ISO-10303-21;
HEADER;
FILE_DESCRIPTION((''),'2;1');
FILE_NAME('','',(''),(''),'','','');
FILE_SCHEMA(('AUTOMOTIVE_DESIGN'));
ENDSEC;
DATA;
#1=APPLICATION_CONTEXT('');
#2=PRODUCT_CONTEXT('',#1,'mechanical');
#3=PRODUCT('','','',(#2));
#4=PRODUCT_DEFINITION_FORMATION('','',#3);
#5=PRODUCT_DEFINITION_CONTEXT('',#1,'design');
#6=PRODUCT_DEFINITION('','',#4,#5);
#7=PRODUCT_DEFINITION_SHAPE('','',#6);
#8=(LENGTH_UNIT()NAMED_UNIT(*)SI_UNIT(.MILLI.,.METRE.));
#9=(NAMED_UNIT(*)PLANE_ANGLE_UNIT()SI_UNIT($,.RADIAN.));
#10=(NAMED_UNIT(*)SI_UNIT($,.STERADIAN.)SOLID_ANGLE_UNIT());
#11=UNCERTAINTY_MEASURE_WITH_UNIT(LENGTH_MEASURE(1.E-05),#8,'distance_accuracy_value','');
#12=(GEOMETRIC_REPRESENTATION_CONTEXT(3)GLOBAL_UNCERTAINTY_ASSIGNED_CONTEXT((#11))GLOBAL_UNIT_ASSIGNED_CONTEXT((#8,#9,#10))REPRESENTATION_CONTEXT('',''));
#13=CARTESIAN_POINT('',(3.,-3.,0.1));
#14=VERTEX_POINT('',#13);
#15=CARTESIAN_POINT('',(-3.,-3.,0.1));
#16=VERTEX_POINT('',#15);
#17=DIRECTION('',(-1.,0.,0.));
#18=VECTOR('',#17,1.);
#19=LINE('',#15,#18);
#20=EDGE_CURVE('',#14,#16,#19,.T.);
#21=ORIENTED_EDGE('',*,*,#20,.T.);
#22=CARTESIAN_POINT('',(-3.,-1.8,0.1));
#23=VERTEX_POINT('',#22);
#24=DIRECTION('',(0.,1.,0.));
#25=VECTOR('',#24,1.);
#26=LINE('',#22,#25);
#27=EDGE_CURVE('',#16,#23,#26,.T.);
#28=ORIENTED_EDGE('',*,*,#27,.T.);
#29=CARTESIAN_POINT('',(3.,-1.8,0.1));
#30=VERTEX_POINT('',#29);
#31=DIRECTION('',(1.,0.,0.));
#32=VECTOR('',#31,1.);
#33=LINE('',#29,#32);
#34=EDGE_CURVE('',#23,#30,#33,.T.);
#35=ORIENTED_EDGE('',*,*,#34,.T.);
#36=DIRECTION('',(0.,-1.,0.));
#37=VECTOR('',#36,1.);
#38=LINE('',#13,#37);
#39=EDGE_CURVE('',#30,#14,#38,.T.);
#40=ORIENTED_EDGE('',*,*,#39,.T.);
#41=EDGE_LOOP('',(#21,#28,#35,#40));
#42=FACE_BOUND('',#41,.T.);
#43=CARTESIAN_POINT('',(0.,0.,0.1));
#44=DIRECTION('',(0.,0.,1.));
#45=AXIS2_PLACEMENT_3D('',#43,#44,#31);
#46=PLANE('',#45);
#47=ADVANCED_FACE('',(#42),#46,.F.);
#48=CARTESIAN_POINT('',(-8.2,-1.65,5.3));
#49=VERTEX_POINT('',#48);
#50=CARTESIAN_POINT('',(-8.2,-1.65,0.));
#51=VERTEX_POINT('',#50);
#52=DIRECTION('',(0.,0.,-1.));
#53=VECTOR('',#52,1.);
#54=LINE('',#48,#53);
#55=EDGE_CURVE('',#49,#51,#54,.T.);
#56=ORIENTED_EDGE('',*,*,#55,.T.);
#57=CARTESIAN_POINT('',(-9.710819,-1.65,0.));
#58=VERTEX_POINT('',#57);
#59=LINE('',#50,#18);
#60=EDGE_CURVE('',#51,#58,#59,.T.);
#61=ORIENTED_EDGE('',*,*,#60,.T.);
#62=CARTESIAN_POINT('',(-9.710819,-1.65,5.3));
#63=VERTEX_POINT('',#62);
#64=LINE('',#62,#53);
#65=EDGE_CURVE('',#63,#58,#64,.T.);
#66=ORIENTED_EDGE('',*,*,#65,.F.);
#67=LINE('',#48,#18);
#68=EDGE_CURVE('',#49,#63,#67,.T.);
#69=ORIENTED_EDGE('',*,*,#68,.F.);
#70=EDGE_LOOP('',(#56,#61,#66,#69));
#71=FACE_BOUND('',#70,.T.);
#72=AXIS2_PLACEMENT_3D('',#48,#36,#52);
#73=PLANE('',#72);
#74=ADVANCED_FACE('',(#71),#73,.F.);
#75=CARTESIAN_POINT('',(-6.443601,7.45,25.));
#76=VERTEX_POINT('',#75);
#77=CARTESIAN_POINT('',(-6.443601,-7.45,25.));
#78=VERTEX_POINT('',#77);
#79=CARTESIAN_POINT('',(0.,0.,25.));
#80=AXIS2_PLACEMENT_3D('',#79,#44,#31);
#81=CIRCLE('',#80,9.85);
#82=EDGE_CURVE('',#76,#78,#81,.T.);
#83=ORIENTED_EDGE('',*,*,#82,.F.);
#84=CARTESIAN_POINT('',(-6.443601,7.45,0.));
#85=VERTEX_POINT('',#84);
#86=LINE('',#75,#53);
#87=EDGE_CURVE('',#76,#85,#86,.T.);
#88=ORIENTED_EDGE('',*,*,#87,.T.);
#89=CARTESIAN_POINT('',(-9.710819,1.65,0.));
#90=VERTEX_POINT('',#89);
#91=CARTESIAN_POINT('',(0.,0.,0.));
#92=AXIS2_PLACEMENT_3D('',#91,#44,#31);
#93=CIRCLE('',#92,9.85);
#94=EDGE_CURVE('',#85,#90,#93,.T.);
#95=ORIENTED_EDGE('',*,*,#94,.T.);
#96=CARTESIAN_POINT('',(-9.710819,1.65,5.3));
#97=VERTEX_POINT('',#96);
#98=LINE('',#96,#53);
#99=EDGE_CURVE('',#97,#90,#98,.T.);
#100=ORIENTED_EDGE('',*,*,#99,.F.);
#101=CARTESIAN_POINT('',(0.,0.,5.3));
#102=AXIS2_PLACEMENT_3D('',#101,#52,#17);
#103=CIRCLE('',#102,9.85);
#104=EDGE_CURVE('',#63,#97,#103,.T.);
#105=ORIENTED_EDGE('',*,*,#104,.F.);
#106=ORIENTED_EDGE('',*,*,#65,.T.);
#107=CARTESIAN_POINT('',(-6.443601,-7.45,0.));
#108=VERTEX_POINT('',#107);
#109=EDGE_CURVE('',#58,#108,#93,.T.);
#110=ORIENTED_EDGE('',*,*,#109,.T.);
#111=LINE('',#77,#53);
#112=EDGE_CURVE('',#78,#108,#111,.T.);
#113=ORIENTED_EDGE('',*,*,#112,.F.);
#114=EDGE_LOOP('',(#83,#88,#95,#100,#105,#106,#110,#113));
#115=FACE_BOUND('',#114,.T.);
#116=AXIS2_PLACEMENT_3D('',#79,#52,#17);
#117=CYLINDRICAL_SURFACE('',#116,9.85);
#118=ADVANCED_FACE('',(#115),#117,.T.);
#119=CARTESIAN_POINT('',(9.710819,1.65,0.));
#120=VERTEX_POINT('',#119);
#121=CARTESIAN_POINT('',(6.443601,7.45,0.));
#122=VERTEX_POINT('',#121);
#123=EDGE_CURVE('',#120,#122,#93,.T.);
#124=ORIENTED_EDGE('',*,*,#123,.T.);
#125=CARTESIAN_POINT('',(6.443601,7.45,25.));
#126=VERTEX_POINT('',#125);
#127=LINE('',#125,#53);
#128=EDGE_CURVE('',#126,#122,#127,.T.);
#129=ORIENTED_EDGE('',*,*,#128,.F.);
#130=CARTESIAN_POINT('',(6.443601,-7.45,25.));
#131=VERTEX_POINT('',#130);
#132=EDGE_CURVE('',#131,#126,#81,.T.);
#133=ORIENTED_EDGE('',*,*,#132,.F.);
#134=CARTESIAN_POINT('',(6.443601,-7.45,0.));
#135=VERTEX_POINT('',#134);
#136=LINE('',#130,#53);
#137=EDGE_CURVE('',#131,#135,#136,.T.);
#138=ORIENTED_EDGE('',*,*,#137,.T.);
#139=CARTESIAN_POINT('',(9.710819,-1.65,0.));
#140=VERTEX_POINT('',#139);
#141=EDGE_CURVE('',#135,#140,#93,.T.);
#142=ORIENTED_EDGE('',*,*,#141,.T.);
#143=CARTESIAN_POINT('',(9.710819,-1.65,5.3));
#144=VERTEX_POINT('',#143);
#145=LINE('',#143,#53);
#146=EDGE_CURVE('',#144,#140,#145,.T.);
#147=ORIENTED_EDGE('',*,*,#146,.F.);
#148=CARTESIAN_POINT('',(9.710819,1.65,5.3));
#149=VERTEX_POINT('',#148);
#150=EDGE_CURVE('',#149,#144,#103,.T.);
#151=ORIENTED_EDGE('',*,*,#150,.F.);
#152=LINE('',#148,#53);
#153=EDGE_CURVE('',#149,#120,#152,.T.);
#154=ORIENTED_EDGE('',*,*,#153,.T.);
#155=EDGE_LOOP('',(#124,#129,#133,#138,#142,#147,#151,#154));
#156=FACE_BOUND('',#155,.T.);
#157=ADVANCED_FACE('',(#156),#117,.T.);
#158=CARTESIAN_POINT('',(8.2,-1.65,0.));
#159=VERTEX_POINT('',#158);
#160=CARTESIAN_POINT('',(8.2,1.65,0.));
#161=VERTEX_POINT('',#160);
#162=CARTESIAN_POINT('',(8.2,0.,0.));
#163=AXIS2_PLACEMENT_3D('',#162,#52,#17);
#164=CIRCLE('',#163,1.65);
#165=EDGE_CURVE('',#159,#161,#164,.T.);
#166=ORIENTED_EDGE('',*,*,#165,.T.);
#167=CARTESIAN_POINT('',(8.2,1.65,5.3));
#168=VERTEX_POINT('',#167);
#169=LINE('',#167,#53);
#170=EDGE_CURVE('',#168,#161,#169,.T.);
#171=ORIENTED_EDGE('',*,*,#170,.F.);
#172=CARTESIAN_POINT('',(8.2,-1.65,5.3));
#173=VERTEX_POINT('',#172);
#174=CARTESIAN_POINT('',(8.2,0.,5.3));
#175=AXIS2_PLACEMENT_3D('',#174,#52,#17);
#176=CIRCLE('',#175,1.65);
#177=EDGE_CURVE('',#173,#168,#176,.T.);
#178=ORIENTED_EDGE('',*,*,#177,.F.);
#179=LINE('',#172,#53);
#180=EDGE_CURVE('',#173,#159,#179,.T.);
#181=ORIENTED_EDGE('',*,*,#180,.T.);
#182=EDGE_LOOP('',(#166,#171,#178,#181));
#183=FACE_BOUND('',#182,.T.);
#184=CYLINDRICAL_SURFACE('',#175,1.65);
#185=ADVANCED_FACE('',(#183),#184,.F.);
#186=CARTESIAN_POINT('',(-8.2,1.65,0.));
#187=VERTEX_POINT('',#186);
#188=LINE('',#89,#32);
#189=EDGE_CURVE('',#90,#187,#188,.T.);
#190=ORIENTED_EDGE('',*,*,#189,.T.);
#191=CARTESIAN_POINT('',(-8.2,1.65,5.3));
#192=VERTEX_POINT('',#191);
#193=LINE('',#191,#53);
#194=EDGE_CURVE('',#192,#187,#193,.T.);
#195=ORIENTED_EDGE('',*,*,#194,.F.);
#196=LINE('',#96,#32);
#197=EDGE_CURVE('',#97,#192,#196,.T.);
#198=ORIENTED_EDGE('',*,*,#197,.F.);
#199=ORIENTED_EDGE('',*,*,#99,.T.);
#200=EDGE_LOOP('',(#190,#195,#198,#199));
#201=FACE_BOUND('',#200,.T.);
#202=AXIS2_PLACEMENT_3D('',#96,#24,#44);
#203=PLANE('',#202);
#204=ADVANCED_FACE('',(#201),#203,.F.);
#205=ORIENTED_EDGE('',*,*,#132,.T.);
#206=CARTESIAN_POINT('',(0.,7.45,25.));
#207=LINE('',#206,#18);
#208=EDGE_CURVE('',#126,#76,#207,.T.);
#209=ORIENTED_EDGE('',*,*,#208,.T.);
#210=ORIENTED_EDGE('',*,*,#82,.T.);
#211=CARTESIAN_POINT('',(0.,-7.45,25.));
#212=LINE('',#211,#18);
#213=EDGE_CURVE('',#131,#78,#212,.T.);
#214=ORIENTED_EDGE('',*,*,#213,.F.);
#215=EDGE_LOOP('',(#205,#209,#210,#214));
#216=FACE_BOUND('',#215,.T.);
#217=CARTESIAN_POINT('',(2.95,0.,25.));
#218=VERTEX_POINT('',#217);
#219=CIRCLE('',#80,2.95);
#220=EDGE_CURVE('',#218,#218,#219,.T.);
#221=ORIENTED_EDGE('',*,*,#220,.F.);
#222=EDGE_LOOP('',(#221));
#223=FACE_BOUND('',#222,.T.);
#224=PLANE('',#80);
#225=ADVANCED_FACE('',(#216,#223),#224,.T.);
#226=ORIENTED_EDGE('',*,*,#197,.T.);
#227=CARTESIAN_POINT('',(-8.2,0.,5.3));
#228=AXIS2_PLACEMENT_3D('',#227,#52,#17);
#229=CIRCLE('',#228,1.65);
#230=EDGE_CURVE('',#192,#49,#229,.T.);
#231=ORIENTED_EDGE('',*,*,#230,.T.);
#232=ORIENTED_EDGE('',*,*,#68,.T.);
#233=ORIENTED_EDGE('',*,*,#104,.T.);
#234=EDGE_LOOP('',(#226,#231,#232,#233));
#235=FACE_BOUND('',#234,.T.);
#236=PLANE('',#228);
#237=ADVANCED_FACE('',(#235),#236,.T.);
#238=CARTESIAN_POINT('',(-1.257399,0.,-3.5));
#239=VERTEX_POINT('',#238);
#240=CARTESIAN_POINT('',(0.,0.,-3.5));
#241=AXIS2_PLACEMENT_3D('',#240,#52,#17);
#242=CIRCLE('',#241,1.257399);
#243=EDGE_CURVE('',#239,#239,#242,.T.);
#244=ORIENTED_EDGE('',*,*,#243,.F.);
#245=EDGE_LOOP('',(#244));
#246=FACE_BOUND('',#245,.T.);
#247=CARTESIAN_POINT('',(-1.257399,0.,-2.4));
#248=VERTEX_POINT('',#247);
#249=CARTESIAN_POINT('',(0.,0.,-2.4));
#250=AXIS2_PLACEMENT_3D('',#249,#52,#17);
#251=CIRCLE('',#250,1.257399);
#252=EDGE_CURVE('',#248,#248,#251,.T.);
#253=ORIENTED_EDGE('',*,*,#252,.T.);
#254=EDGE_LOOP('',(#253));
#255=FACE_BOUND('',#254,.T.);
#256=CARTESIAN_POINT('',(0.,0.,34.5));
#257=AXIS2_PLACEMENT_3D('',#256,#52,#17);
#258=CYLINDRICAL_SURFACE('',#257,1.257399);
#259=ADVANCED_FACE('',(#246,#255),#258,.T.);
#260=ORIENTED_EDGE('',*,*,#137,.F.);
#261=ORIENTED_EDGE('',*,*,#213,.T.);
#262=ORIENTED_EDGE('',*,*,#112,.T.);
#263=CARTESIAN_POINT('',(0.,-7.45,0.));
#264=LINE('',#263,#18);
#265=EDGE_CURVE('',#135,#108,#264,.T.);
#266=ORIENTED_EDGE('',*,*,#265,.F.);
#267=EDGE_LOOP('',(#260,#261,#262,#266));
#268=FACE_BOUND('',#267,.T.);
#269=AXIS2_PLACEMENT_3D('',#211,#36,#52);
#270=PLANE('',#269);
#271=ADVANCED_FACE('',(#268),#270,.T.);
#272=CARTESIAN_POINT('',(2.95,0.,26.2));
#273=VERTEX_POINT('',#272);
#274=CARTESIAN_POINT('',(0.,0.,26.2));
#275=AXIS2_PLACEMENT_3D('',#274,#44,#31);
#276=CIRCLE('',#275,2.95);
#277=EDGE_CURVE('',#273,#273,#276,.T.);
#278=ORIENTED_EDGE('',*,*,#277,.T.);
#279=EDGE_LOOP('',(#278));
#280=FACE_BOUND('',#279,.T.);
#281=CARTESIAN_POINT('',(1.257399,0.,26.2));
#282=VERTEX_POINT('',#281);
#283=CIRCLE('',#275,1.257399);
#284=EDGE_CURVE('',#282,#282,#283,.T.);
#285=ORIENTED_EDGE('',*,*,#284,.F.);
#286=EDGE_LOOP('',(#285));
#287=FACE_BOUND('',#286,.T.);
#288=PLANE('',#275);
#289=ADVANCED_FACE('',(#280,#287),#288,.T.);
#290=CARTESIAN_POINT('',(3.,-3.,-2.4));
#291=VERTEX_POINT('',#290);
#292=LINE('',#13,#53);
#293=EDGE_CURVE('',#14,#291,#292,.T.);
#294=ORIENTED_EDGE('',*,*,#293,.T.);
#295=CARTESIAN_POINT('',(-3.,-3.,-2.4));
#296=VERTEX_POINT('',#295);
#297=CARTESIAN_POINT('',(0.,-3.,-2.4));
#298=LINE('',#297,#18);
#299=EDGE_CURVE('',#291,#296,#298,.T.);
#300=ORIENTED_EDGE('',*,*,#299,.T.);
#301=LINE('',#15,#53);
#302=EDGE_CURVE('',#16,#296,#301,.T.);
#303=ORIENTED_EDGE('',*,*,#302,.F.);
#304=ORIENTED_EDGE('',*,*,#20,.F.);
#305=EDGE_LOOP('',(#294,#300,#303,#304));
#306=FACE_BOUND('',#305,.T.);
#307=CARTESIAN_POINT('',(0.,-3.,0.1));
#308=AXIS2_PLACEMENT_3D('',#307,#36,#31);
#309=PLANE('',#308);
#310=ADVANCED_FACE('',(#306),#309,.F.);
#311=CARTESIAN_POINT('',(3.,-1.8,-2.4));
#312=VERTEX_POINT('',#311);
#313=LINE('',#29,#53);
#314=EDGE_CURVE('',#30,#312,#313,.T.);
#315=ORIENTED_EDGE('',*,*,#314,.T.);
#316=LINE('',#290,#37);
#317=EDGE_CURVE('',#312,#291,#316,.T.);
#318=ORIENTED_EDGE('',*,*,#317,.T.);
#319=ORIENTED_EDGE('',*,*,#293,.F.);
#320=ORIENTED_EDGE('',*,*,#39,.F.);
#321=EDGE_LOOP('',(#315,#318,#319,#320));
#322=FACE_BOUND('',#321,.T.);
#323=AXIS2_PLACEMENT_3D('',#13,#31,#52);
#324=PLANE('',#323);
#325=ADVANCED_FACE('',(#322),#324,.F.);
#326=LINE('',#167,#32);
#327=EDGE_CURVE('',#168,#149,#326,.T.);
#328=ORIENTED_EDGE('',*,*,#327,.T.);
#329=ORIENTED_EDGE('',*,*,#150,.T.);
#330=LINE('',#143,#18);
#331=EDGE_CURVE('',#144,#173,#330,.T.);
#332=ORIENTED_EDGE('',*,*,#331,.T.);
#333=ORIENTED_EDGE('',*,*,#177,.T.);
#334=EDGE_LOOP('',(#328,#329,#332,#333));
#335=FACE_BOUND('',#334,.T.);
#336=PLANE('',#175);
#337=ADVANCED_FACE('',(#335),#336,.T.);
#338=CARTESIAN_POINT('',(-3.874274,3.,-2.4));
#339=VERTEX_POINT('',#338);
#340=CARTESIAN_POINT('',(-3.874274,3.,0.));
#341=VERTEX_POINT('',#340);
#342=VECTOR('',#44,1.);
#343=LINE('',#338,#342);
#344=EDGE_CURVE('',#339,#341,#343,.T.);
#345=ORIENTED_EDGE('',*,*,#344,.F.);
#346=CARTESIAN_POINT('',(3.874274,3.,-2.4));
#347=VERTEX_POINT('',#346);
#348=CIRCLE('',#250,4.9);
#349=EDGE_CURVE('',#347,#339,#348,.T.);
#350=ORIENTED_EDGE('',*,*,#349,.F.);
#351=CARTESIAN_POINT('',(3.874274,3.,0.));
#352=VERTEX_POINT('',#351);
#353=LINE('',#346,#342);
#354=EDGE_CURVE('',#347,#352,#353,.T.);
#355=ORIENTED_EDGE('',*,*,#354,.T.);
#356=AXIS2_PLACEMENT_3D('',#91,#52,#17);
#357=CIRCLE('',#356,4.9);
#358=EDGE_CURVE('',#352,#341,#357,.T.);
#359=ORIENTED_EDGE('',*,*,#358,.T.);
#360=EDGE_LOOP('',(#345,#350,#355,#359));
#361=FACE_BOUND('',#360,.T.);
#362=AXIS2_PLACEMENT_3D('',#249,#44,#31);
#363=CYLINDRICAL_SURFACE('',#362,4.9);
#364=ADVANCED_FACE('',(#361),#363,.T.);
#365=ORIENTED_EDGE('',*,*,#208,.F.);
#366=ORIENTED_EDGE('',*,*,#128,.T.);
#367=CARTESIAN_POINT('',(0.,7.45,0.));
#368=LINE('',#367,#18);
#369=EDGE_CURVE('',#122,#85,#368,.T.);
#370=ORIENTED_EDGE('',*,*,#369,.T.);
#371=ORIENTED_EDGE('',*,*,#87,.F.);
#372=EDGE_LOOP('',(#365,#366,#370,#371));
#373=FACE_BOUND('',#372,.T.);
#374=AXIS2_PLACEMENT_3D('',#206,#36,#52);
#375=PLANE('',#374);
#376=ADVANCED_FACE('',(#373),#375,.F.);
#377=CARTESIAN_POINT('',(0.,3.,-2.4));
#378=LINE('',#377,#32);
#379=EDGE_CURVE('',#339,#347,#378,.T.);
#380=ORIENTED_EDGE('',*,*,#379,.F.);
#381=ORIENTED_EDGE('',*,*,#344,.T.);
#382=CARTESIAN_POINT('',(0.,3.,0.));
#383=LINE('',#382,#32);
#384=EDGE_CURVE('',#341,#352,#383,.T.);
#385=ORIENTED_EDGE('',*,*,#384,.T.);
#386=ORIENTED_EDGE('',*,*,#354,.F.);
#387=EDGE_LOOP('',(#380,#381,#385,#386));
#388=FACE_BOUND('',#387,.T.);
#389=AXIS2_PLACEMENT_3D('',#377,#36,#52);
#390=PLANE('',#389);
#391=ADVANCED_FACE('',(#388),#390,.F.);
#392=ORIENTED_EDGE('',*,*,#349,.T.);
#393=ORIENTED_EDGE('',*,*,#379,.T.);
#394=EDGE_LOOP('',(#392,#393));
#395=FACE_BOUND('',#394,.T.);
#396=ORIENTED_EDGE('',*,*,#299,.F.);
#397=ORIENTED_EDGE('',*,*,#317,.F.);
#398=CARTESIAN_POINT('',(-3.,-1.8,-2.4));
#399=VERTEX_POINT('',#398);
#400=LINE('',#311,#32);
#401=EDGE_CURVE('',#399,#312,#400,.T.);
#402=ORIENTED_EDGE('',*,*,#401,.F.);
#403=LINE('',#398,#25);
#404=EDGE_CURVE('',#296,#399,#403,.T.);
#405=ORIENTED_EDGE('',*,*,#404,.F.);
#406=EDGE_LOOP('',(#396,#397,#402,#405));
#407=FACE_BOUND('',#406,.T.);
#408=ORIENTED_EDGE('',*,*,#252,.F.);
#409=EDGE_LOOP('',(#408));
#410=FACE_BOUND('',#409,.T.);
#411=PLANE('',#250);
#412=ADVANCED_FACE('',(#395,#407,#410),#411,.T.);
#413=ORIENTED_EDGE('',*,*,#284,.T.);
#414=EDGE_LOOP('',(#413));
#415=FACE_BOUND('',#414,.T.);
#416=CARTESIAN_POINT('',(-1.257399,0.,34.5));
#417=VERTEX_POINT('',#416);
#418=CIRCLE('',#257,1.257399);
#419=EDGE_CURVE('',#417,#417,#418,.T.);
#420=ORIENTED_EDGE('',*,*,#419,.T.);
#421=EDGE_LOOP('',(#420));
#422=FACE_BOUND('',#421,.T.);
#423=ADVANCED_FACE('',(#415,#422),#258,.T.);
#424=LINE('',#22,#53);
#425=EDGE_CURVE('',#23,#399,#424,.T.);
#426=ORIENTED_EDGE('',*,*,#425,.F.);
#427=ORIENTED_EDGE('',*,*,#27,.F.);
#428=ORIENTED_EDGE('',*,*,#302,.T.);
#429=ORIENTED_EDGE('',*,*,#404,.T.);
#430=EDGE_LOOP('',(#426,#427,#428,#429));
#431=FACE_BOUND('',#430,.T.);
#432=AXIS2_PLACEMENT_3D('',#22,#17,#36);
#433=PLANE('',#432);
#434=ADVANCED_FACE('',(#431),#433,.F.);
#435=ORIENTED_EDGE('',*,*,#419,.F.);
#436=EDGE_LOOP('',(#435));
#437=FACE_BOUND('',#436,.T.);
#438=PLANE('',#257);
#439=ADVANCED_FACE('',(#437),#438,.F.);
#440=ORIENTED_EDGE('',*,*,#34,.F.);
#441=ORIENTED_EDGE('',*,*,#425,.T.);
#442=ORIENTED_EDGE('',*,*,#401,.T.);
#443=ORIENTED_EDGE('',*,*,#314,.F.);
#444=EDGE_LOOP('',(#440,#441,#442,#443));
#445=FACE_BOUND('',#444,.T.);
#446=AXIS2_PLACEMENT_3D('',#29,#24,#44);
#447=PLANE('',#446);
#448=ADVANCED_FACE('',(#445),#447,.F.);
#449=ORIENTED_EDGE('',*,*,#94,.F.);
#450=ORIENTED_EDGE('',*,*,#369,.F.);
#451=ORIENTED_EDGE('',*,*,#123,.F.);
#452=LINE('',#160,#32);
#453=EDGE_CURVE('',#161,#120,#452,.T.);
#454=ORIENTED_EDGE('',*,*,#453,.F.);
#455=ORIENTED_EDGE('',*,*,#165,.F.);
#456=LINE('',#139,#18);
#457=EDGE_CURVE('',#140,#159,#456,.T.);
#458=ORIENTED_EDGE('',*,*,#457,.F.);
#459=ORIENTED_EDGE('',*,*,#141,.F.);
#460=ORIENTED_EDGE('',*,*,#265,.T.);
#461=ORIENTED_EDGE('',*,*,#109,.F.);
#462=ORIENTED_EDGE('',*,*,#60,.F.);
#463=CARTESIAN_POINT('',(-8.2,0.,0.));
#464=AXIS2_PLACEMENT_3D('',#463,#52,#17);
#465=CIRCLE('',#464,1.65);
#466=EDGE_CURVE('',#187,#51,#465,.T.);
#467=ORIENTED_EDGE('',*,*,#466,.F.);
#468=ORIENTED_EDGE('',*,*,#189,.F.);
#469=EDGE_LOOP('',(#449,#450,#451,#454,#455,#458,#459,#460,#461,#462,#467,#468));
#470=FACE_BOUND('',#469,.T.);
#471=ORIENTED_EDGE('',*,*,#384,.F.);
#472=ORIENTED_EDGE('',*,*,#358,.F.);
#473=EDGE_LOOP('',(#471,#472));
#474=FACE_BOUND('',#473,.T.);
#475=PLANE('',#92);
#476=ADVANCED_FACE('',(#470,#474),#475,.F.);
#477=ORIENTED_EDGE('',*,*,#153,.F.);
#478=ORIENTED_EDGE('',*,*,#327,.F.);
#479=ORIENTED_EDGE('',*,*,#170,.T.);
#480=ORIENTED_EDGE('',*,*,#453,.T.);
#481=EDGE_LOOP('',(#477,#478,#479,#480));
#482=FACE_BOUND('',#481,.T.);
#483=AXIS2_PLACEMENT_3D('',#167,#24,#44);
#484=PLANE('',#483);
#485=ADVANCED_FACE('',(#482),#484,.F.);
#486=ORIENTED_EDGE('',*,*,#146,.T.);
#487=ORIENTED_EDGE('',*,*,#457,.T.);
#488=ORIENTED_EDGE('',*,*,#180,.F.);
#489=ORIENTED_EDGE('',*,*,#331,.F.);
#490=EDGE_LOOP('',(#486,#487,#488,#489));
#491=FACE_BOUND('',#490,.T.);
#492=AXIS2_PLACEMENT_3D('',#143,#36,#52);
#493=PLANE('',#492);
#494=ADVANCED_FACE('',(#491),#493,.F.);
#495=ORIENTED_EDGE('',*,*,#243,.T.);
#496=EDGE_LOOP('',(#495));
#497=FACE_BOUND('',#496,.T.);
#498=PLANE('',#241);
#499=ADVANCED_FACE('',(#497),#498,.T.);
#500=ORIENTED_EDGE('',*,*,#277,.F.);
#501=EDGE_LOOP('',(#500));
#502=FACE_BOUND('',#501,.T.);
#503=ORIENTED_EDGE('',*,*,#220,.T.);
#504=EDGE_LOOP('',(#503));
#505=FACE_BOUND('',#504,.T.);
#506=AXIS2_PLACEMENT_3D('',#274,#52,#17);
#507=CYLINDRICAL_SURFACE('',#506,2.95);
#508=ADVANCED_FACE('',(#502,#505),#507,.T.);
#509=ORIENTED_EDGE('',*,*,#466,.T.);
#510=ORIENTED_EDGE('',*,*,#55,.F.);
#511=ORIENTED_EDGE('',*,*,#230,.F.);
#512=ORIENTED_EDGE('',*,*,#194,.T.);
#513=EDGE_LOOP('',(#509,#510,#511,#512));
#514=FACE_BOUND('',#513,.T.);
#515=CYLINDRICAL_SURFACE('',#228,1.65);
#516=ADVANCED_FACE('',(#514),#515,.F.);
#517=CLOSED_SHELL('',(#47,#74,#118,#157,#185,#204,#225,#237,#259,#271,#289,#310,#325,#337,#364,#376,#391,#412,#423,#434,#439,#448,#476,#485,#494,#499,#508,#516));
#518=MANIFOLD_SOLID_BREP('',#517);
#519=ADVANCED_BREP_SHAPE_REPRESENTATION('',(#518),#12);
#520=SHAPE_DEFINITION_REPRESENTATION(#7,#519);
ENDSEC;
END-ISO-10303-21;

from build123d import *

# Parameters (mm, degrees)
SALIENTE_EXTRUIR1_DEPTH = 25
CROQUIS2_R              = 2.95
SALIENTE_EXTRUIR2_DEPTH = 1.2
CORTAR_EXTRUIR1_DEPTH   = 5.3
SALIENTE_EXTRUIR3_DEPTH = 2.4
CORTAR_EXTRUIR2_DEPTH   = 2.5
CROQUIS6_R              = 1.256804149
SALIENTE_EXTRUIR4_DEPTH = 1.1
CROQUIS7_R              = 1.257398905
SALIENTE_EXTRUIR5_DEPTH = 38


with BuildPart() as part:
    # Croquis1 → Saliente-Extruir1 (new body)
    with BuildSketch(Plane.XY):
        with BuildLine():
            Line((6.443601477, 7.45), (0, 7.45))
            Line((0, 7.45), (-6.443601477, 7.45))
            ThreePointArc((-6.443601477, 7.45), (-9.85, 0), (-6.443601477, -7.45))
            Line((-6.443601477, -7.45), (0, -7.45))
            Line((0, -7.45), (6.443601477, -7.45))
            ThreePointArc((6.443601477, -7.45), (9.85, 0), (6.443601477, 7.45))
        make_face()
    extrude(amount=SALIENTE_EXTRUIR1_DEPTH)

    # Croquis2 → Saliente-Extruir2 (add)
    with BuildSketch(Plane.XY.offset(25)):
        Circle(CROQUIS2_R)
    extrude(amount=SALIENTE_EXTRUIR2_DEPTH)

    # Croquis3 → Cortar-Extruir1 (cut)
    with BuildSketch(Plane(origin=(0, 0, 0), x_dir=(-1, 0, 0), z_dir=(0, 0, -1))):
        with BuildLine():
            Line((-8.2, 1.65), (-9.710818709, 1.65))
            ThreePointArc((-9.710818709, 1.65), (-9.85, 0), (-9.710818709, -1.65))
            Line((-9.710818709, -1.65), (-8.2, -1.65))
            ThreePointArc((-8.2, -1.65), (-6.55, 0), (-8.2, 1.65))
        make_face()
        with BuildLine():
            Line((9.710818709, 1.65), (8.2, 1.65))
            ThreePointArc((8.2, 1.65), (6.55, 0), (8.2, -1.65))
            Line((8.2, -1.65), (9.710818709, -1.65))
            ThreePointArc((9.710818709, -1.65), (9.85, 0), (9.710818709, 1.65))
        make_face()
    extrude(amount=-CORTAR_EXTRUIR1_DEPTH, mode=Mode.SUBTRACT)

    # Croquis4 → Saliente-Extruir3 (add)
    with BuildSketch(Plane(origin=(0, 0, 0), x_dir=(-1, 0, 0), z_dir=(0, 0, -1))):
        with BuildLine():
            Line((3.874274126, 3), (0, 3))
            Line((0, 3), (-3.874274126, 3))
            ThreePointArc((-3.874274126, 3), (0, -4.9), (3.874274126, 3))
        make_face()
    extrude(amount=SALIENTE_EXTRUIR3_DEPTH)

    # Croquis5 → Cortar-Extruir2 (cut)
    with BuildSketch(Plane(origin=(0, 0, -2.4), x_dir=(-1, 0, 0), z_dir=(0, 0, -1))):
        Polygon((0, -3), (-3, -3), (-3, -1.8), (3, -1.8), (3, -3), align=None)
    extrude(amount=-CORTAR_EXTRUIR2_DEPTH, mode=Mode.SUBTRACT)



with BuildPart() as body_2:
    # Croquis6 → Saliente-Extruir4 (new body)
    with BuildSketch(Plane(origin=(0, 0, -2.4), x_dir=(-1, 0, 0), z_dir=(0, 0, -1))):
        Circle(CROQUIS6_R)
    extrude(amount=SALIENTE_EXTRUIR4_DEPTH)


with BuildPart() as part_1:
    add(part.part)

    add(body_2.part)  # Saliente-Extruir5 merges body 2
    # Croquis7 → Saliente-Extruir5 (add)
    with BuildSketch(Plane(origin=(0, 0, -3.5), x_dir=(-1, 0, 0), z_dir=(0, 0, -1))):
        Circle(CROQUIS7_R)
    extrude(amount=-SALIENTE_EXTRUIR5_DEPTH)


solid = part_1.part
